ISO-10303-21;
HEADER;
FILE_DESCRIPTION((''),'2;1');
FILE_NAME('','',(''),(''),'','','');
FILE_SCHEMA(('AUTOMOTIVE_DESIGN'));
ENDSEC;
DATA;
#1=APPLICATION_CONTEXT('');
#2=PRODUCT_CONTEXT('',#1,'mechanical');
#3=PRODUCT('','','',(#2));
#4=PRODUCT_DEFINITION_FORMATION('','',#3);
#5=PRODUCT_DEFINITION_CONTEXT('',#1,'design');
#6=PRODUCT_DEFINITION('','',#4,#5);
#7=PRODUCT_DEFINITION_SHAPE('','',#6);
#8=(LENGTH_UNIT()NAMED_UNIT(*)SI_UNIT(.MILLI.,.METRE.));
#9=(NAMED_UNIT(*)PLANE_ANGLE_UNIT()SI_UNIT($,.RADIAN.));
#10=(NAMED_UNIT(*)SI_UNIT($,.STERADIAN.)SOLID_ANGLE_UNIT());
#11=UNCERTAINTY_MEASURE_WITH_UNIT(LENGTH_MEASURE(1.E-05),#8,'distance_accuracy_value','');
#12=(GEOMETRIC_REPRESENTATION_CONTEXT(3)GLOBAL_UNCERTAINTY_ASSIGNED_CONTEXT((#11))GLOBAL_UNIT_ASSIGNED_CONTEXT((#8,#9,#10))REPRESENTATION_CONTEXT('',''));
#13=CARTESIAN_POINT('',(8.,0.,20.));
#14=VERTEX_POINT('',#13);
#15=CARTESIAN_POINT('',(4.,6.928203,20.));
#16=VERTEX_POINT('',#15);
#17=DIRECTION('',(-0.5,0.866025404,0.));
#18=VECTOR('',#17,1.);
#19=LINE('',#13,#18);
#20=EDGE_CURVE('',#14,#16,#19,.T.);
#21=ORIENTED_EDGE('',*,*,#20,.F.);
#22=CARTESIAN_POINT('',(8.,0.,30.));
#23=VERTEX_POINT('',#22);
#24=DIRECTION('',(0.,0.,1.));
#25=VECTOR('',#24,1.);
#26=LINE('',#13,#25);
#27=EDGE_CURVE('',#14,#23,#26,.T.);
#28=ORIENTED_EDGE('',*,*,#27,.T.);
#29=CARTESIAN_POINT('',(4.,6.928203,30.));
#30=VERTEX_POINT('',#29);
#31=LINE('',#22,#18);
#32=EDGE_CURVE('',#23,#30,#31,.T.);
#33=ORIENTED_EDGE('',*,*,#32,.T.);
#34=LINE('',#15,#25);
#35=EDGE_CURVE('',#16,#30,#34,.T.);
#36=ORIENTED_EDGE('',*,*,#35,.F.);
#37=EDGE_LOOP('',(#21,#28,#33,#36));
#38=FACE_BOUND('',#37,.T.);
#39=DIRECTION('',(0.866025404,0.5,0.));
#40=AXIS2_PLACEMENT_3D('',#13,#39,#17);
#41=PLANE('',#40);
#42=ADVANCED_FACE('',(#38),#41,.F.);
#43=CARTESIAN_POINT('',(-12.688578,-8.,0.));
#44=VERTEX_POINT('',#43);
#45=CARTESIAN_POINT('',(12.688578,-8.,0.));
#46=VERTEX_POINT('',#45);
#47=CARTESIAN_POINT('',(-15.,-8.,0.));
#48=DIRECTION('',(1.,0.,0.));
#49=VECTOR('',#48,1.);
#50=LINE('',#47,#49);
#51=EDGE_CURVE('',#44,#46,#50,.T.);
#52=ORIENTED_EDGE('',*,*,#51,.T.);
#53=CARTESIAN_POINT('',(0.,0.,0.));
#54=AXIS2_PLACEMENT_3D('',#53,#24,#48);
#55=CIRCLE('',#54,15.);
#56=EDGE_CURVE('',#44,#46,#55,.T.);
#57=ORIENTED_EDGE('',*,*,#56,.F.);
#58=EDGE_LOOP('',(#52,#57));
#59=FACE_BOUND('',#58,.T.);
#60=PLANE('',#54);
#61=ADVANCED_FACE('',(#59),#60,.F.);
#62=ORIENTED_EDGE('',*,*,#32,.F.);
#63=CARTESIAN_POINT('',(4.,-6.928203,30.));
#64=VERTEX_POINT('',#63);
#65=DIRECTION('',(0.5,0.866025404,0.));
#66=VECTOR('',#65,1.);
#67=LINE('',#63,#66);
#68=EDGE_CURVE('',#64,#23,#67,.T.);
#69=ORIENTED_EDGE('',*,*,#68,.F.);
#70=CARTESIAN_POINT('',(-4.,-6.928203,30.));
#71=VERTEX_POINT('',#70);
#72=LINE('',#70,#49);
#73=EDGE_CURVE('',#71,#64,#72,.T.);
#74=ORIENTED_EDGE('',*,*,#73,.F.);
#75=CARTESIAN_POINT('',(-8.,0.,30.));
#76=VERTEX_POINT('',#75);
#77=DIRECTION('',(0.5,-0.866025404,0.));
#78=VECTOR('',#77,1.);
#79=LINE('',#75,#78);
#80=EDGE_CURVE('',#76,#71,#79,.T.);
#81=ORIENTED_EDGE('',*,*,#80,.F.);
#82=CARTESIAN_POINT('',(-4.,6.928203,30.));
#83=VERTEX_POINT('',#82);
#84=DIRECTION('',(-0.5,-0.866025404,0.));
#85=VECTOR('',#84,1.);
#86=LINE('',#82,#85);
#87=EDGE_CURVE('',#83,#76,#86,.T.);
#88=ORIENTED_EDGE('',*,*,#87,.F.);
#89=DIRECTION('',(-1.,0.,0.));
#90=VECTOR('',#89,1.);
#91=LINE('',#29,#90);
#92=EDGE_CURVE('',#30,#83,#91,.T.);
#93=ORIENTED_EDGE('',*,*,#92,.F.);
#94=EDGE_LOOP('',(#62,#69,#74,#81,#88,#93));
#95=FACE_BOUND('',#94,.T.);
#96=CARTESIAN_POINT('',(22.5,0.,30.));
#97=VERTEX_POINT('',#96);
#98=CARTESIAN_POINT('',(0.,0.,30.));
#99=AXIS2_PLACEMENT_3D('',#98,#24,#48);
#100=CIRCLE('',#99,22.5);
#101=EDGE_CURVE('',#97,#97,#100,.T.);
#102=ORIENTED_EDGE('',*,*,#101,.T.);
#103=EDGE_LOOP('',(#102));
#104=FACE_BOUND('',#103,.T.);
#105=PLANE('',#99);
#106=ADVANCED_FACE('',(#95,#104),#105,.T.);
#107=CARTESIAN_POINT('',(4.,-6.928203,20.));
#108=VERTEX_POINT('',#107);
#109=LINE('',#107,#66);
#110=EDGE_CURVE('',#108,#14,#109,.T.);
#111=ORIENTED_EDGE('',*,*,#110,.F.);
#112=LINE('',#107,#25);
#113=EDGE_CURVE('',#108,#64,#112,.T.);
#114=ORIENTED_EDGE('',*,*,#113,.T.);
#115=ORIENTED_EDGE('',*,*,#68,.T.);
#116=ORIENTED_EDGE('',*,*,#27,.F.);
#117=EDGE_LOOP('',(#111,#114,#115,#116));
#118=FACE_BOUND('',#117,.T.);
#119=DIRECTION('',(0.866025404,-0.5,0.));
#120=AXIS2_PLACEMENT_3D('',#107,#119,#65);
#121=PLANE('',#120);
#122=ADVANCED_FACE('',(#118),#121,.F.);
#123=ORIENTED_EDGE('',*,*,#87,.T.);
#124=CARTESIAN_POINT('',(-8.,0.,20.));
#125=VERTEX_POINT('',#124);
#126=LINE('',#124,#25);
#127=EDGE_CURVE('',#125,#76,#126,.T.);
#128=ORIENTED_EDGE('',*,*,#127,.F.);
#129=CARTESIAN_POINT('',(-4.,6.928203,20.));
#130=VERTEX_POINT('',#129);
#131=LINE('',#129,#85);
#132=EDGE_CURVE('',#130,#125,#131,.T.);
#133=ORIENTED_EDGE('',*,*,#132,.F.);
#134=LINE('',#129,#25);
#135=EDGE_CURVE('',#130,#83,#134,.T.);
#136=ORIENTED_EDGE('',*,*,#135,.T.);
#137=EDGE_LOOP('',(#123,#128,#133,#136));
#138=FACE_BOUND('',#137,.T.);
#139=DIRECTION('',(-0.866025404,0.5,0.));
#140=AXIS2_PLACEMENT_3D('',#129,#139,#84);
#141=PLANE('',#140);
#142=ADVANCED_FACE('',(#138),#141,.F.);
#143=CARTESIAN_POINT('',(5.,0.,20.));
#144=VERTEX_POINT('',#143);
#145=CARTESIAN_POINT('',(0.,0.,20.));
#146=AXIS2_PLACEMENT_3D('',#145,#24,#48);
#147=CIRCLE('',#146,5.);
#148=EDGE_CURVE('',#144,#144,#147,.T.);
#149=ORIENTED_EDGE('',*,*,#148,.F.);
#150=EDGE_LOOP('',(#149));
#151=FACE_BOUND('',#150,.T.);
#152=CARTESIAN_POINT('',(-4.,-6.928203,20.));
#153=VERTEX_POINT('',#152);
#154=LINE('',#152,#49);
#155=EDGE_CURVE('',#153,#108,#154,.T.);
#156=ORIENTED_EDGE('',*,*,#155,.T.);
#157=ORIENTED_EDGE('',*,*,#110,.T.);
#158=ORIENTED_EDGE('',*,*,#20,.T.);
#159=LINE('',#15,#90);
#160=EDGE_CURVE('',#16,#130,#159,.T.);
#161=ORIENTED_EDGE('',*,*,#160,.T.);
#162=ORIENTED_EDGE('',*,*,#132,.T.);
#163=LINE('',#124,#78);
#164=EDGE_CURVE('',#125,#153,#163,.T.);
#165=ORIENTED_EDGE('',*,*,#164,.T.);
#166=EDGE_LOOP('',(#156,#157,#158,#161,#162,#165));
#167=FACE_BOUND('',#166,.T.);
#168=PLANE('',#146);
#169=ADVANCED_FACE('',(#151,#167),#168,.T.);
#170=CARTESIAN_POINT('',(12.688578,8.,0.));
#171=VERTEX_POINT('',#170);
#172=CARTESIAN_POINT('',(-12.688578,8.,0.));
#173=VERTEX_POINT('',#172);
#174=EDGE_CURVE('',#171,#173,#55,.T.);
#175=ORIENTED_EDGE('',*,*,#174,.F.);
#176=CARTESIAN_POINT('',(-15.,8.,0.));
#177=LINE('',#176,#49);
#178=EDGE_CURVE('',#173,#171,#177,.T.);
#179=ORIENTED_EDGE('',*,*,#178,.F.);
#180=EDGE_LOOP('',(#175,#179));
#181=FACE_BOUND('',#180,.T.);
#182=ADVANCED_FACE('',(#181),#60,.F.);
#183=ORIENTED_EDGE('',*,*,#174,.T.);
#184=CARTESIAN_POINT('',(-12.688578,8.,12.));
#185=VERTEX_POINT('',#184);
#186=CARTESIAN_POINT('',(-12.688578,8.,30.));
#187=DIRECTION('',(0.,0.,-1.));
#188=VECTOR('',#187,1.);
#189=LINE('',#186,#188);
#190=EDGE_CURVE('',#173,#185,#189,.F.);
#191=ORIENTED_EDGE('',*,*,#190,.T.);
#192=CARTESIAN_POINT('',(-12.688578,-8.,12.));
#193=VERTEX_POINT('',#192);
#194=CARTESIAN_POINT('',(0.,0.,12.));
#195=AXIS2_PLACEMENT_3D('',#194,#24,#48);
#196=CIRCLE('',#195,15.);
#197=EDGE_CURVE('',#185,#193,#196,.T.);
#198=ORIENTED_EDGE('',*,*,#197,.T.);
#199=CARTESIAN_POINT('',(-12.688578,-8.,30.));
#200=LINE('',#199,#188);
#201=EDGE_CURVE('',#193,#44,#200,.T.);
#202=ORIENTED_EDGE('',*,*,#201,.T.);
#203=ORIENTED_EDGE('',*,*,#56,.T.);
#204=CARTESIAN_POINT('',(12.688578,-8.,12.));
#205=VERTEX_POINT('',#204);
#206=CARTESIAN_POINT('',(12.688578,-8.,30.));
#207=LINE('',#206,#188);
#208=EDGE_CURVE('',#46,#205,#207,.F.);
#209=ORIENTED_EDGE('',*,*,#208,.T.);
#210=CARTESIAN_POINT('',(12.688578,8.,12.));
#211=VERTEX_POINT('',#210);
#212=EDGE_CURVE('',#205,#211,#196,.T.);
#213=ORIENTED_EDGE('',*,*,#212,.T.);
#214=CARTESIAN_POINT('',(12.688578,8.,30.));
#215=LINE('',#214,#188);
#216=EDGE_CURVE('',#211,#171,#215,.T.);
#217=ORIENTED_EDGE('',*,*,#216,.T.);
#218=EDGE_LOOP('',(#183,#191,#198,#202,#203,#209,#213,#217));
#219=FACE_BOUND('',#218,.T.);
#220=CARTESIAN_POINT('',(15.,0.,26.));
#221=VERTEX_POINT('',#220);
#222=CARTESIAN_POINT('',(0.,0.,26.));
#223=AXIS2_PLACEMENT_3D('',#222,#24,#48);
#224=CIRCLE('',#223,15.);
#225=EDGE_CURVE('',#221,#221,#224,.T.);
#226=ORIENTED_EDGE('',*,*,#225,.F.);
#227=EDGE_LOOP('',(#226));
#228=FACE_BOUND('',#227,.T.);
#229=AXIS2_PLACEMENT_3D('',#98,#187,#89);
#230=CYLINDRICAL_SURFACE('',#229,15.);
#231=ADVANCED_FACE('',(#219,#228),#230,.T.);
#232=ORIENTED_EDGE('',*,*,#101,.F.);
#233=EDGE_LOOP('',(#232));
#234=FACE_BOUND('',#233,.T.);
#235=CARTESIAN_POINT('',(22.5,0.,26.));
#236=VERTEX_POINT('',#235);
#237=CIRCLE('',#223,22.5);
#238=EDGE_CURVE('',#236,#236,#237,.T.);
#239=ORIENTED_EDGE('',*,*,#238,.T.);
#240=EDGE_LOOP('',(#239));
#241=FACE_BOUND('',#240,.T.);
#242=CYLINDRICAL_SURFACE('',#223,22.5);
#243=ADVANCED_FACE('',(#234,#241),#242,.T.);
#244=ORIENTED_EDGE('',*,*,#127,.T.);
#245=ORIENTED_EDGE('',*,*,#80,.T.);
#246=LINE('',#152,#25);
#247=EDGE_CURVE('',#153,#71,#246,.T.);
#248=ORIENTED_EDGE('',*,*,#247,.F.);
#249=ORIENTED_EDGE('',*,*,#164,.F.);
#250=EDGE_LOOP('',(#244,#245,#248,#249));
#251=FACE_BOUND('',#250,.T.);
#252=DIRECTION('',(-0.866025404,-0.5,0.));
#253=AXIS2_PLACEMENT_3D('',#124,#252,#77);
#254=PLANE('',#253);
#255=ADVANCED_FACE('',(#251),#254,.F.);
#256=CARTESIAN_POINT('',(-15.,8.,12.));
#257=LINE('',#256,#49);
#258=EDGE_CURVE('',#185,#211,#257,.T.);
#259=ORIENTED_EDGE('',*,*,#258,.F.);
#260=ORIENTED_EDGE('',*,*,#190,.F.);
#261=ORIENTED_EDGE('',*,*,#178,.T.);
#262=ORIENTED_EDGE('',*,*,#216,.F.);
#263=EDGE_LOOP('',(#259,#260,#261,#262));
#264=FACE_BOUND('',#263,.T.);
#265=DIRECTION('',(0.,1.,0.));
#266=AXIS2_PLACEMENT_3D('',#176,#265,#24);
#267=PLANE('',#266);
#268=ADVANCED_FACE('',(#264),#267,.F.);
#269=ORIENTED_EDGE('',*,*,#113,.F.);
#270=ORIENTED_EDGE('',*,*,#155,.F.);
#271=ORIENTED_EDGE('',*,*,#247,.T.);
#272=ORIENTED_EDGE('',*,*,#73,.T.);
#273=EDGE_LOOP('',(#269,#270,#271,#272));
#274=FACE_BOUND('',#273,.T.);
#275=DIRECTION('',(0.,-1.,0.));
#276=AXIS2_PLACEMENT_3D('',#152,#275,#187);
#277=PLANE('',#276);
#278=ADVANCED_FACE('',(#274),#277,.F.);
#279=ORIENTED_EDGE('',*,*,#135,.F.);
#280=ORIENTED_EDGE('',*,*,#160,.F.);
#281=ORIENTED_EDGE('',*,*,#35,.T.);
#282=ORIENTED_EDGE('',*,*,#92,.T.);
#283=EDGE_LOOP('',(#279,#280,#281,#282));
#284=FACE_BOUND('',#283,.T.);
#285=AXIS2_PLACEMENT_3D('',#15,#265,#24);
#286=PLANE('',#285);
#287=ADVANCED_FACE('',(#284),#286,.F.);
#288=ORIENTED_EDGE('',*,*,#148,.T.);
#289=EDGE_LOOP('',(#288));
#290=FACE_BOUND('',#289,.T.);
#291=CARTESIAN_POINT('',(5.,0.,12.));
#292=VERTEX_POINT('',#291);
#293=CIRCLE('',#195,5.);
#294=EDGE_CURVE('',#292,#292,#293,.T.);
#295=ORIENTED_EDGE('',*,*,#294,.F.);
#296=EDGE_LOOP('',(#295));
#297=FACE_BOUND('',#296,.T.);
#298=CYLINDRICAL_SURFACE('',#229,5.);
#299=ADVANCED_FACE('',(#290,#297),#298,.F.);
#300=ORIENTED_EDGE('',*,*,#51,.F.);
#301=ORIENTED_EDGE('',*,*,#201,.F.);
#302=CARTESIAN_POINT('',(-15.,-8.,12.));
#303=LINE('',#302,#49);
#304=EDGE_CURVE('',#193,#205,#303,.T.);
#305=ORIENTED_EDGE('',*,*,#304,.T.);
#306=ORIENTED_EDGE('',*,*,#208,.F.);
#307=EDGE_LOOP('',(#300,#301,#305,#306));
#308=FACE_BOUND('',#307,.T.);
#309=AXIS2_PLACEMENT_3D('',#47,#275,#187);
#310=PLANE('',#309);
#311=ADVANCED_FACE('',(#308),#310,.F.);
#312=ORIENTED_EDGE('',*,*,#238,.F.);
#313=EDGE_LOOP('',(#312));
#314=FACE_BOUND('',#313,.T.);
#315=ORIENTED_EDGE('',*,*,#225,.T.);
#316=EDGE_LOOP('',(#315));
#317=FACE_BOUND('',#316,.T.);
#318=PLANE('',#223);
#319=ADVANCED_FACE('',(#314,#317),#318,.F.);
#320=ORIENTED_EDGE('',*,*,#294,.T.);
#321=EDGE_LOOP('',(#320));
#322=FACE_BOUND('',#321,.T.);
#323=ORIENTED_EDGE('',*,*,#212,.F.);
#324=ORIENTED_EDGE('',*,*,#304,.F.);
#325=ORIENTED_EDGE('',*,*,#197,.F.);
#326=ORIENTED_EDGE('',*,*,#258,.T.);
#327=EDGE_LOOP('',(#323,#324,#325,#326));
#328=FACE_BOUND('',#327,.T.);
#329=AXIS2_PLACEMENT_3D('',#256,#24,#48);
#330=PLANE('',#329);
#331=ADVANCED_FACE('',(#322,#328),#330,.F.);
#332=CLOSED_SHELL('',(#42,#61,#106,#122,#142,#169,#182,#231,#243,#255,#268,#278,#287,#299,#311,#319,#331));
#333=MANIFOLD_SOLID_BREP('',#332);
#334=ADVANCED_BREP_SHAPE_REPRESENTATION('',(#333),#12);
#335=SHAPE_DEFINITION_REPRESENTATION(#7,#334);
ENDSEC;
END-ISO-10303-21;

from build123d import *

# Parameters (mm, degrees)
SKETCH1_R               = 15
SKETCH1_R_2             = 5
BOSS_EXTRUDE1_DEPTH     = 30
CUT_EXTRUDE1_DEPTH      = 10
CUT_EXTRUDE2_DEPTH      = 37.742346142
CUT_EXTRUDE2_DEPTH_BACK = 37.742346142
SKETCH3_W               = 12
SKETCH3_H               = 16
BOSS_EXTRUDE2_START     = -4
SKETCH4_R               = 22.5
SKETCH4_R_2             = 15
BOSS_EXTRUDE2_DEPTH     = 4


with BuildPart() as part:
    # Sketch1 → Boss-Extrude1 (new body)
    with BuildSketch(Plane.XY):
        Circle(SKETCH1_R)
        Circle(SKETCH1_R_2, mode=Mode.SUBTRACT)
    extrude(amount=BOSS_EXTRUDE1_DEPTH)

    # Sketch2 → Cut-Extrude1 (cut)
    with BuildSketch(Plane.XY.offset(30)):
        Polygon((8, 0), (4, 6.92820323), (-4, 6.92820323), (-8, 0), (-4, -6.92820323), (4, -6.92820323), align=None)
    extrude(amount=-CUT_EXTRUDE1_DEPTH, mode=Mode.SUBTRACT)

    # Sketch3 → Cut-Extrude2 (cut, two sides: drawn at the far end of the back side and taken through both)
    with BuildSketch(Plane(origin=(0, 0, 0), x_dir=(0, 0, -1), z_dir=(1, 0, 0)).offset(-CUT_EXTRUDE2_DEPTH_BACK)):
        with Locations((-6, 0)):
            Rectangle(SKETCH3_W, SKETCH3_H)
    extrude(amount=CUT_EXTRUDE2_DEPTH + CUT_EXTRUDE2_DEPTH_BACK, mode=Mode.SUBTRACT)

    # Sketch4 → Boss-Extrude2 (add)
    with BuildSketch(Plane.XY.offset(30).offset(BOSS_EXTRUDE2_START)):
        Circle(SKETCH4_R)
        with Locations(Location((0, 0, 0), (0, 0, 147.769047364))):
            Circle(SKETCH4_R_2, mode=Mode.SUBTRACT)
    extrude(amount=BOSS_EXTRUDE2_DEPTH)


solid = part.part
